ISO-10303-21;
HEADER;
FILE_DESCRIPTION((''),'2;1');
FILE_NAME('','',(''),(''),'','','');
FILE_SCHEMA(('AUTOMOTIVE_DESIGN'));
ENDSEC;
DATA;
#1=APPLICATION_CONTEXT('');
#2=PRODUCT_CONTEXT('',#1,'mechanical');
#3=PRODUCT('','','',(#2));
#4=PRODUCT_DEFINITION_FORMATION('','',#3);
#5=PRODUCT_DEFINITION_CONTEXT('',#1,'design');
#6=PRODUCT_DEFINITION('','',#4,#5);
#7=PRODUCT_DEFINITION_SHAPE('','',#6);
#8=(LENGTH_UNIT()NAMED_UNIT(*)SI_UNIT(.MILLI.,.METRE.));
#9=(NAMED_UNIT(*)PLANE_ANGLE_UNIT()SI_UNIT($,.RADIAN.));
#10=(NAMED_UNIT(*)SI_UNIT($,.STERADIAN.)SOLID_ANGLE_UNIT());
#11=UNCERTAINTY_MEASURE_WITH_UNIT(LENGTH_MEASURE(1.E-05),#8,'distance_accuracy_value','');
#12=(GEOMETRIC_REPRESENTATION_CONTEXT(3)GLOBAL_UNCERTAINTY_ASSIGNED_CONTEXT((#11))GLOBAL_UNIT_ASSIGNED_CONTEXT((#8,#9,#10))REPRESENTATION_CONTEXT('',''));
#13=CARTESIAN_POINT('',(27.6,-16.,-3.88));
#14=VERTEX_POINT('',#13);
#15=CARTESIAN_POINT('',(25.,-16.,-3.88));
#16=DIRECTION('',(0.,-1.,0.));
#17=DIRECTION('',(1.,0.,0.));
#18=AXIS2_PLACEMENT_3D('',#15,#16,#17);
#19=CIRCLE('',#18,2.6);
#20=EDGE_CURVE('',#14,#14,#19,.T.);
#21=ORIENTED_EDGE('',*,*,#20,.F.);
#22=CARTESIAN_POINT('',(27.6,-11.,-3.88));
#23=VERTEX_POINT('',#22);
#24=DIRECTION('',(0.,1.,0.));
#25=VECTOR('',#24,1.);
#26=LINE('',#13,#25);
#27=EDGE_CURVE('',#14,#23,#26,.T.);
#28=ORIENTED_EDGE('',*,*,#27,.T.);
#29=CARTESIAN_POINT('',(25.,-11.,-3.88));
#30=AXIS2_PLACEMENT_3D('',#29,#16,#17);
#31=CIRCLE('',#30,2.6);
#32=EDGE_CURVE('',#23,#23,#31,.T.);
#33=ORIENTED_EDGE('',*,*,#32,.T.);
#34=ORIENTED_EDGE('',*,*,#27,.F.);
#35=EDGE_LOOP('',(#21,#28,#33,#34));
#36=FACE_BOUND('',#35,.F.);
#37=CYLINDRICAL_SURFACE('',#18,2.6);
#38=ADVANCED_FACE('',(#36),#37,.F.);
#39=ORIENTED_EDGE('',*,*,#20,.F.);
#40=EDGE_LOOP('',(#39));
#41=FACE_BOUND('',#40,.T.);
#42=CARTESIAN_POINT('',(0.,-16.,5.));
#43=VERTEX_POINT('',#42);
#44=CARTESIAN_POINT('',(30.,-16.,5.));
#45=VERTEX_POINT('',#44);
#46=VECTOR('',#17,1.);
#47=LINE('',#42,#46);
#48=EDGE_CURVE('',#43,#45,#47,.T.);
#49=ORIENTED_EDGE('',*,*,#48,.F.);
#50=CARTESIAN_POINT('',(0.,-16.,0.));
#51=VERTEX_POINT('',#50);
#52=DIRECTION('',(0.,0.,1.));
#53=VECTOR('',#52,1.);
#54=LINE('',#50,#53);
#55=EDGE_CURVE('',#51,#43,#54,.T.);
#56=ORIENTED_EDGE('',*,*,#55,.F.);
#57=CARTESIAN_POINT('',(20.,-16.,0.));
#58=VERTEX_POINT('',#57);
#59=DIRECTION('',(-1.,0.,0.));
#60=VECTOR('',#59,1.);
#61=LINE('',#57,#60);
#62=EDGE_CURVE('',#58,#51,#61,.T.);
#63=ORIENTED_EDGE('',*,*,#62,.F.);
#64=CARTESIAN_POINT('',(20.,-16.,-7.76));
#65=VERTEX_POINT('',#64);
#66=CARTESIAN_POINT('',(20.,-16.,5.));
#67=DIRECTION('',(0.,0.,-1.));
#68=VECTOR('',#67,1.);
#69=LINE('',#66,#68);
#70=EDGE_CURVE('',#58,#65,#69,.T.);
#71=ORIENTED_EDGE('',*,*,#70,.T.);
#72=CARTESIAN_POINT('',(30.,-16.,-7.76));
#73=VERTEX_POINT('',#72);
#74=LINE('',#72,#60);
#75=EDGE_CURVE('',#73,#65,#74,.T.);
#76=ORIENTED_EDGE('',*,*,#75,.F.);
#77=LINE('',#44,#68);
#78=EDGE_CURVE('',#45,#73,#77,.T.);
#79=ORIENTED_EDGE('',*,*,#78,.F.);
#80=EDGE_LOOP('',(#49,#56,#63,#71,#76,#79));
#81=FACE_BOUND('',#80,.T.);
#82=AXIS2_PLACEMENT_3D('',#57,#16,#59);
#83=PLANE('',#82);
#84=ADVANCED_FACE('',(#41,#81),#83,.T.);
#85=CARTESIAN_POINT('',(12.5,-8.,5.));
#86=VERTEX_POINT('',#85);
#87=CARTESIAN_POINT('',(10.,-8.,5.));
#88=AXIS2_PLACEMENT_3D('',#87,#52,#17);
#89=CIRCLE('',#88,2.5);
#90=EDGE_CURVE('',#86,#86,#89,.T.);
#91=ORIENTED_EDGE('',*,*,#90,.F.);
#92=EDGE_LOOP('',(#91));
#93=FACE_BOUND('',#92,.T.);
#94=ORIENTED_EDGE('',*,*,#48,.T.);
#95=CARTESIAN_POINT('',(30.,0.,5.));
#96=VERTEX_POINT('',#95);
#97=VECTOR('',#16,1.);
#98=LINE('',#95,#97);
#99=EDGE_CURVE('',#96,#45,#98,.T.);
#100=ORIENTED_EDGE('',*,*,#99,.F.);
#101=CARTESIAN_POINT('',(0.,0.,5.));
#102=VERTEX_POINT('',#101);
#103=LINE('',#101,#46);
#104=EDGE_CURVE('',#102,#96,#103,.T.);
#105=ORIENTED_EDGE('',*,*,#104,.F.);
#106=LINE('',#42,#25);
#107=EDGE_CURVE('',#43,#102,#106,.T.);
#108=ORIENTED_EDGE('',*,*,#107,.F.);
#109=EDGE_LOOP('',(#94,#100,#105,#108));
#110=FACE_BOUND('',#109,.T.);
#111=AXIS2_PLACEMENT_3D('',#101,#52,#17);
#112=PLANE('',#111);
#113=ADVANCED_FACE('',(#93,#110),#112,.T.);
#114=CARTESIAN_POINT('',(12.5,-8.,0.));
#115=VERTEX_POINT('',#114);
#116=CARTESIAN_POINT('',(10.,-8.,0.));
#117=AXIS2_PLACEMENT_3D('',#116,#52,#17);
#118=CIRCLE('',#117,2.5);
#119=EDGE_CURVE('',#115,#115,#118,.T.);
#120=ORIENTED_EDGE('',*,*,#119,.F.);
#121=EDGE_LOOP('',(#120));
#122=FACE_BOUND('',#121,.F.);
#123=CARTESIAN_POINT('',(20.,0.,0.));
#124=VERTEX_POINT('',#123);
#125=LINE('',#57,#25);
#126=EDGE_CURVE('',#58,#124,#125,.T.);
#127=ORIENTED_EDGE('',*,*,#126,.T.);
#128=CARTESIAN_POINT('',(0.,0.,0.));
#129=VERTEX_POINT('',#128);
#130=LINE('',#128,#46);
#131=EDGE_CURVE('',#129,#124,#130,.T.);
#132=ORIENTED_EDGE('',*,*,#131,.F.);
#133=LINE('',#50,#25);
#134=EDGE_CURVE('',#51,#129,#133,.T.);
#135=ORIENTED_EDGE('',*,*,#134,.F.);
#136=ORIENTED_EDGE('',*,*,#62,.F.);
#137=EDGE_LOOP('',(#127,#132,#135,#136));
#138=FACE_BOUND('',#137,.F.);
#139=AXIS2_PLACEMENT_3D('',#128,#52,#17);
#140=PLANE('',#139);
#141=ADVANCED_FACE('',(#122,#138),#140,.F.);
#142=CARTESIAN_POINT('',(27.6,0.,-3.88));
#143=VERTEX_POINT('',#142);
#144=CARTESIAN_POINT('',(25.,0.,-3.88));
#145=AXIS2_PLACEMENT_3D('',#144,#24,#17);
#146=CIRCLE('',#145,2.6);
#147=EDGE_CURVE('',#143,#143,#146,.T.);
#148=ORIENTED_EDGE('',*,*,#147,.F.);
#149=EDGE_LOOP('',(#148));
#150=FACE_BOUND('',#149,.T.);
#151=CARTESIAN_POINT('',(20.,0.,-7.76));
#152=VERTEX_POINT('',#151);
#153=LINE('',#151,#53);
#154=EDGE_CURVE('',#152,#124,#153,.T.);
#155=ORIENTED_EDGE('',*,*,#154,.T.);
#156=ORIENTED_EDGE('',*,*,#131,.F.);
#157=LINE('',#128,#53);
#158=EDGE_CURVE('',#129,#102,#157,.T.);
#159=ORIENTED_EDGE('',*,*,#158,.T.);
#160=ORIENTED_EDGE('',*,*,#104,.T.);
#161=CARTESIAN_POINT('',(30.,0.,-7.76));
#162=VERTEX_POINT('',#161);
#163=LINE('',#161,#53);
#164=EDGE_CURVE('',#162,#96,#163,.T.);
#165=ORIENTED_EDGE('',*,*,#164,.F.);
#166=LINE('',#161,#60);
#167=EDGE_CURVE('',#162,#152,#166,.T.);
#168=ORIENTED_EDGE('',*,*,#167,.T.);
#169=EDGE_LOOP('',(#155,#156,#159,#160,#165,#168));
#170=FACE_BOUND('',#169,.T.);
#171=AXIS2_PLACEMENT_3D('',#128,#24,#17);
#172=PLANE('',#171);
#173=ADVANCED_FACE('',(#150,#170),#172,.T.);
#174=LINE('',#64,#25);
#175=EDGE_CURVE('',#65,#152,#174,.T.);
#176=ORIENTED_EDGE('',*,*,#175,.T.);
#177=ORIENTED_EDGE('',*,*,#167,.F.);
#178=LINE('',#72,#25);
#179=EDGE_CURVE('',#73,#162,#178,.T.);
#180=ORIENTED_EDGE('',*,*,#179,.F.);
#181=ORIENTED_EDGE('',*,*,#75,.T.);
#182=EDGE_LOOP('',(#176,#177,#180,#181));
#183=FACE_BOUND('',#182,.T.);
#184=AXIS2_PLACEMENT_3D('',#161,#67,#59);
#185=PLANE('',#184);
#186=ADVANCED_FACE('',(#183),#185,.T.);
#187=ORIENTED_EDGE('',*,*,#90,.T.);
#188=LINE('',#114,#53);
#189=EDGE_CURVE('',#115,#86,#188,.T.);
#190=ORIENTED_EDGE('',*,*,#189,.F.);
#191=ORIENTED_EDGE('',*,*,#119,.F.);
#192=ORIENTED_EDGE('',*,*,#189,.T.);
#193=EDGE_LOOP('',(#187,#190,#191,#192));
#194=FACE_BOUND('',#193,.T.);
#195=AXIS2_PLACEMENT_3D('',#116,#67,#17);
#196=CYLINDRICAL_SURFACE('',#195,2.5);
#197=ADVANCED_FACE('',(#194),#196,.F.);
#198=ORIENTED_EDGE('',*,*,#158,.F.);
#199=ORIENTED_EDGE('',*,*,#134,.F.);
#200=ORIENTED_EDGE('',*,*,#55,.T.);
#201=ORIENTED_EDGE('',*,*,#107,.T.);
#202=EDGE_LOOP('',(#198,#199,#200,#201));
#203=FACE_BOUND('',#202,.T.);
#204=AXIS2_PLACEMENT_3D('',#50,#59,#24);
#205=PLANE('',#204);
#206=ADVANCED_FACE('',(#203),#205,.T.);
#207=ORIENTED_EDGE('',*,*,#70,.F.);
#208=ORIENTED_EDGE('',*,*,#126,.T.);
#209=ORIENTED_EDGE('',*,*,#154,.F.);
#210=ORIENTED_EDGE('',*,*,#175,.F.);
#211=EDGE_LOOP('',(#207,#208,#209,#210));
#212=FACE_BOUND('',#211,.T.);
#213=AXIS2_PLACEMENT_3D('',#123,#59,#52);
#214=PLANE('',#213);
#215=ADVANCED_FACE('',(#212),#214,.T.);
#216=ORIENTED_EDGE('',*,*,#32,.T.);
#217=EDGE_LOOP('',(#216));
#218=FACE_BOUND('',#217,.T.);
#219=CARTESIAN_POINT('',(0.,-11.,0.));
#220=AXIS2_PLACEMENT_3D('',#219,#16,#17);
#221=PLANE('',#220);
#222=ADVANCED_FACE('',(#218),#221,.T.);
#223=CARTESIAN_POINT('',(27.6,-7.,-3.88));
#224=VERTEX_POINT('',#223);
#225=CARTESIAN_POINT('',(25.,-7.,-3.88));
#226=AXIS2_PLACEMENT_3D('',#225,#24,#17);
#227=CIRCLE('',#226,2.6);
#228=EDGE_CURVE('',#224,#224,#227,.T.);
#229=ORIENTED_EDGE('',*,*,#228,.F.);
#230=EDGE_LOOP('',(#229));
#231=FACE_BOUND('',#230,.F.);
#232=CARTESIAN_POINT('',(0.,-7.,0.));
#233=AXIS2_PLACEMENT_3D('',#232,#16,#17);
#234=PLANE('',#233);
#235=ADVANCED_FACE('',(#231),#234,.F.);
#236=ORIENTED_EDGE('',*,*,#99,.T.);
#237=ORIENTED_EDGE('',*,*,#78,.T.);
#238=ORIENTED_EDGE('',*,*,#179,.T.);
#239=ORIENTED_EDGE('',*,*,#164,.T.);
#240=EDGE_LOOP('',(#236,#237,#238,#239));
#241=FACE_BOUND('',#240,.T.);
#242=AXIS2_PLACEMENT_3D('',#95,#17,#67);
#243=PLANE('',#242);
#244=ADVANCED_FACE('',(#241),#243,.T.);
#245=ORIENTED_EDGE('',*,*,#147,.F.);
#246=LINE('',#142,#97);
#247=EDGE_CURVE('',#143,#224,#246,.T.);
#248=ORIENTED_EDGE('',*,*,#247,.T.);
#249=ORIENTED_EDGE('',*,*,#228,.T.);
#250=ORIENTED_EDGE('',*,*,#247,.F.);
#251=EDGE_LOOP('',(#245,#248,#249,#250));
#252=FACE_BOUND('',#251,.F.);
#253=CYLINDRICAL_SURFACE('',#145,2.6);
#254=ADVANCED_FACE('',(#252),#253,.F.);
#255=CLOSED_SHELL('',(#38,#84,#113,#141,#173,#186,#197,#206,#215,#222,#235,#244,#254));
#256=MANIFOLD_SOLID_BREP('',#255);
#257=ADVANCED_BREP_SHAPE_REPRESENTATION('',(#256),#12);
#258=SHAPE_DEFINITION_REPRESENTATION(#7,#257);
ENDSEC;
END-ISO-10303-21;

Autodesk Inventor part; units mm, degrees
ref_plane "YZ Plane" through (0, 0, 0) normal (1, 0, 0) x (0, 1, 0)
ref_plane "XZ Plane" through (0, 0, 0) normal (0, 1, 0) x (-1, 0, 0)
ref_plane "XY Plane" through (0, 0, 0) normal (0, 0, 1) x (1, 0, 0)
sketch "Sketch1" plane through (0, 0, 0) normal (0, 0, 1) x (1, 0, 0)
  line L0 (0, 0) -> (20, 0)
  line L1 (20, 0) -> (20, -16)
  line L2 (20, -16) -> (0, -16)
  line L3 (0, -16) -> (0, 0)
  circle A0 centre (10, -8) radius 2.5
  dimension "d0" = 20
  dimension "d1" = 16
  dimension "d2" = 8
  dimension "d3" = 10
  dimension "d4" = 5
extrude "Extrusion1" add sketch "Sketch1" along normal blind 5
sketch "Sketch2" plane through (0, 0, 0) normal (0, 1, 0) x (1, 0, 0)
  line L0 (20, 0) -> (20, -5) projected
  line L1 (20, 0) -> (30, 0)
  line L2 (30, 0) -> (30, 7.76)
  line L3 (30, 7.76) -> (20, 7.76)
  line L4 (20, 7.76) -> (20, 0)
  line L5 (20, -5) -> (30, -5)
  line L6 (30, -5) -> (30, 0)
  line L7 (30, 0) -> (20, 0)
  line L8 (20, 0) -> (20, -5)
  circle A0 centre (25, 3.88) radius 2.6
  point P0 (0, 0)
  dimension "d7" = 10
  dimension "d8" = 7.76
  dimension "d9" = 5.2
extrude "Extrusion2" add sketch "Sketch2" against normal blind 16
sketch "Sketch3" plane through (0, -16, 0) normal (0, -1, 0) x (1, 0, 0)
  line L0 (30, -7.76) -> (30, 5) projected
  line L1 (0, 0) -> (20, 0) projected
  line L2 (30, -7.76) -> (20, -7.76)
  line L3 (20, -7.76) -> (20, 0)
  line L4 (20, 0) -> (30, 0)
  line L5 (30, 0) -> (30, -7.76)
extrude "Extrusion3" add sketch "Sketch3" against normal blind 9
sketch "Sketch4" plane through (0, -16, 0) normal (0, -1, 0) x (1, 0, 0)
  circle A0 centre (25, -3.88) radius 2.6 projected
  circle A1 centre (25, -3.88) radius 2.6
  point P0 (0, 0)
  dimension "d16" = 5.2
extrude "Extrusion4" cut sketch "Sketch4" against normal blind 5
equation "\"d2\" = 0.5 * d1"
equation "\"d3\" = 0.5 * d0"
properties part number "cover mount LR v02"
